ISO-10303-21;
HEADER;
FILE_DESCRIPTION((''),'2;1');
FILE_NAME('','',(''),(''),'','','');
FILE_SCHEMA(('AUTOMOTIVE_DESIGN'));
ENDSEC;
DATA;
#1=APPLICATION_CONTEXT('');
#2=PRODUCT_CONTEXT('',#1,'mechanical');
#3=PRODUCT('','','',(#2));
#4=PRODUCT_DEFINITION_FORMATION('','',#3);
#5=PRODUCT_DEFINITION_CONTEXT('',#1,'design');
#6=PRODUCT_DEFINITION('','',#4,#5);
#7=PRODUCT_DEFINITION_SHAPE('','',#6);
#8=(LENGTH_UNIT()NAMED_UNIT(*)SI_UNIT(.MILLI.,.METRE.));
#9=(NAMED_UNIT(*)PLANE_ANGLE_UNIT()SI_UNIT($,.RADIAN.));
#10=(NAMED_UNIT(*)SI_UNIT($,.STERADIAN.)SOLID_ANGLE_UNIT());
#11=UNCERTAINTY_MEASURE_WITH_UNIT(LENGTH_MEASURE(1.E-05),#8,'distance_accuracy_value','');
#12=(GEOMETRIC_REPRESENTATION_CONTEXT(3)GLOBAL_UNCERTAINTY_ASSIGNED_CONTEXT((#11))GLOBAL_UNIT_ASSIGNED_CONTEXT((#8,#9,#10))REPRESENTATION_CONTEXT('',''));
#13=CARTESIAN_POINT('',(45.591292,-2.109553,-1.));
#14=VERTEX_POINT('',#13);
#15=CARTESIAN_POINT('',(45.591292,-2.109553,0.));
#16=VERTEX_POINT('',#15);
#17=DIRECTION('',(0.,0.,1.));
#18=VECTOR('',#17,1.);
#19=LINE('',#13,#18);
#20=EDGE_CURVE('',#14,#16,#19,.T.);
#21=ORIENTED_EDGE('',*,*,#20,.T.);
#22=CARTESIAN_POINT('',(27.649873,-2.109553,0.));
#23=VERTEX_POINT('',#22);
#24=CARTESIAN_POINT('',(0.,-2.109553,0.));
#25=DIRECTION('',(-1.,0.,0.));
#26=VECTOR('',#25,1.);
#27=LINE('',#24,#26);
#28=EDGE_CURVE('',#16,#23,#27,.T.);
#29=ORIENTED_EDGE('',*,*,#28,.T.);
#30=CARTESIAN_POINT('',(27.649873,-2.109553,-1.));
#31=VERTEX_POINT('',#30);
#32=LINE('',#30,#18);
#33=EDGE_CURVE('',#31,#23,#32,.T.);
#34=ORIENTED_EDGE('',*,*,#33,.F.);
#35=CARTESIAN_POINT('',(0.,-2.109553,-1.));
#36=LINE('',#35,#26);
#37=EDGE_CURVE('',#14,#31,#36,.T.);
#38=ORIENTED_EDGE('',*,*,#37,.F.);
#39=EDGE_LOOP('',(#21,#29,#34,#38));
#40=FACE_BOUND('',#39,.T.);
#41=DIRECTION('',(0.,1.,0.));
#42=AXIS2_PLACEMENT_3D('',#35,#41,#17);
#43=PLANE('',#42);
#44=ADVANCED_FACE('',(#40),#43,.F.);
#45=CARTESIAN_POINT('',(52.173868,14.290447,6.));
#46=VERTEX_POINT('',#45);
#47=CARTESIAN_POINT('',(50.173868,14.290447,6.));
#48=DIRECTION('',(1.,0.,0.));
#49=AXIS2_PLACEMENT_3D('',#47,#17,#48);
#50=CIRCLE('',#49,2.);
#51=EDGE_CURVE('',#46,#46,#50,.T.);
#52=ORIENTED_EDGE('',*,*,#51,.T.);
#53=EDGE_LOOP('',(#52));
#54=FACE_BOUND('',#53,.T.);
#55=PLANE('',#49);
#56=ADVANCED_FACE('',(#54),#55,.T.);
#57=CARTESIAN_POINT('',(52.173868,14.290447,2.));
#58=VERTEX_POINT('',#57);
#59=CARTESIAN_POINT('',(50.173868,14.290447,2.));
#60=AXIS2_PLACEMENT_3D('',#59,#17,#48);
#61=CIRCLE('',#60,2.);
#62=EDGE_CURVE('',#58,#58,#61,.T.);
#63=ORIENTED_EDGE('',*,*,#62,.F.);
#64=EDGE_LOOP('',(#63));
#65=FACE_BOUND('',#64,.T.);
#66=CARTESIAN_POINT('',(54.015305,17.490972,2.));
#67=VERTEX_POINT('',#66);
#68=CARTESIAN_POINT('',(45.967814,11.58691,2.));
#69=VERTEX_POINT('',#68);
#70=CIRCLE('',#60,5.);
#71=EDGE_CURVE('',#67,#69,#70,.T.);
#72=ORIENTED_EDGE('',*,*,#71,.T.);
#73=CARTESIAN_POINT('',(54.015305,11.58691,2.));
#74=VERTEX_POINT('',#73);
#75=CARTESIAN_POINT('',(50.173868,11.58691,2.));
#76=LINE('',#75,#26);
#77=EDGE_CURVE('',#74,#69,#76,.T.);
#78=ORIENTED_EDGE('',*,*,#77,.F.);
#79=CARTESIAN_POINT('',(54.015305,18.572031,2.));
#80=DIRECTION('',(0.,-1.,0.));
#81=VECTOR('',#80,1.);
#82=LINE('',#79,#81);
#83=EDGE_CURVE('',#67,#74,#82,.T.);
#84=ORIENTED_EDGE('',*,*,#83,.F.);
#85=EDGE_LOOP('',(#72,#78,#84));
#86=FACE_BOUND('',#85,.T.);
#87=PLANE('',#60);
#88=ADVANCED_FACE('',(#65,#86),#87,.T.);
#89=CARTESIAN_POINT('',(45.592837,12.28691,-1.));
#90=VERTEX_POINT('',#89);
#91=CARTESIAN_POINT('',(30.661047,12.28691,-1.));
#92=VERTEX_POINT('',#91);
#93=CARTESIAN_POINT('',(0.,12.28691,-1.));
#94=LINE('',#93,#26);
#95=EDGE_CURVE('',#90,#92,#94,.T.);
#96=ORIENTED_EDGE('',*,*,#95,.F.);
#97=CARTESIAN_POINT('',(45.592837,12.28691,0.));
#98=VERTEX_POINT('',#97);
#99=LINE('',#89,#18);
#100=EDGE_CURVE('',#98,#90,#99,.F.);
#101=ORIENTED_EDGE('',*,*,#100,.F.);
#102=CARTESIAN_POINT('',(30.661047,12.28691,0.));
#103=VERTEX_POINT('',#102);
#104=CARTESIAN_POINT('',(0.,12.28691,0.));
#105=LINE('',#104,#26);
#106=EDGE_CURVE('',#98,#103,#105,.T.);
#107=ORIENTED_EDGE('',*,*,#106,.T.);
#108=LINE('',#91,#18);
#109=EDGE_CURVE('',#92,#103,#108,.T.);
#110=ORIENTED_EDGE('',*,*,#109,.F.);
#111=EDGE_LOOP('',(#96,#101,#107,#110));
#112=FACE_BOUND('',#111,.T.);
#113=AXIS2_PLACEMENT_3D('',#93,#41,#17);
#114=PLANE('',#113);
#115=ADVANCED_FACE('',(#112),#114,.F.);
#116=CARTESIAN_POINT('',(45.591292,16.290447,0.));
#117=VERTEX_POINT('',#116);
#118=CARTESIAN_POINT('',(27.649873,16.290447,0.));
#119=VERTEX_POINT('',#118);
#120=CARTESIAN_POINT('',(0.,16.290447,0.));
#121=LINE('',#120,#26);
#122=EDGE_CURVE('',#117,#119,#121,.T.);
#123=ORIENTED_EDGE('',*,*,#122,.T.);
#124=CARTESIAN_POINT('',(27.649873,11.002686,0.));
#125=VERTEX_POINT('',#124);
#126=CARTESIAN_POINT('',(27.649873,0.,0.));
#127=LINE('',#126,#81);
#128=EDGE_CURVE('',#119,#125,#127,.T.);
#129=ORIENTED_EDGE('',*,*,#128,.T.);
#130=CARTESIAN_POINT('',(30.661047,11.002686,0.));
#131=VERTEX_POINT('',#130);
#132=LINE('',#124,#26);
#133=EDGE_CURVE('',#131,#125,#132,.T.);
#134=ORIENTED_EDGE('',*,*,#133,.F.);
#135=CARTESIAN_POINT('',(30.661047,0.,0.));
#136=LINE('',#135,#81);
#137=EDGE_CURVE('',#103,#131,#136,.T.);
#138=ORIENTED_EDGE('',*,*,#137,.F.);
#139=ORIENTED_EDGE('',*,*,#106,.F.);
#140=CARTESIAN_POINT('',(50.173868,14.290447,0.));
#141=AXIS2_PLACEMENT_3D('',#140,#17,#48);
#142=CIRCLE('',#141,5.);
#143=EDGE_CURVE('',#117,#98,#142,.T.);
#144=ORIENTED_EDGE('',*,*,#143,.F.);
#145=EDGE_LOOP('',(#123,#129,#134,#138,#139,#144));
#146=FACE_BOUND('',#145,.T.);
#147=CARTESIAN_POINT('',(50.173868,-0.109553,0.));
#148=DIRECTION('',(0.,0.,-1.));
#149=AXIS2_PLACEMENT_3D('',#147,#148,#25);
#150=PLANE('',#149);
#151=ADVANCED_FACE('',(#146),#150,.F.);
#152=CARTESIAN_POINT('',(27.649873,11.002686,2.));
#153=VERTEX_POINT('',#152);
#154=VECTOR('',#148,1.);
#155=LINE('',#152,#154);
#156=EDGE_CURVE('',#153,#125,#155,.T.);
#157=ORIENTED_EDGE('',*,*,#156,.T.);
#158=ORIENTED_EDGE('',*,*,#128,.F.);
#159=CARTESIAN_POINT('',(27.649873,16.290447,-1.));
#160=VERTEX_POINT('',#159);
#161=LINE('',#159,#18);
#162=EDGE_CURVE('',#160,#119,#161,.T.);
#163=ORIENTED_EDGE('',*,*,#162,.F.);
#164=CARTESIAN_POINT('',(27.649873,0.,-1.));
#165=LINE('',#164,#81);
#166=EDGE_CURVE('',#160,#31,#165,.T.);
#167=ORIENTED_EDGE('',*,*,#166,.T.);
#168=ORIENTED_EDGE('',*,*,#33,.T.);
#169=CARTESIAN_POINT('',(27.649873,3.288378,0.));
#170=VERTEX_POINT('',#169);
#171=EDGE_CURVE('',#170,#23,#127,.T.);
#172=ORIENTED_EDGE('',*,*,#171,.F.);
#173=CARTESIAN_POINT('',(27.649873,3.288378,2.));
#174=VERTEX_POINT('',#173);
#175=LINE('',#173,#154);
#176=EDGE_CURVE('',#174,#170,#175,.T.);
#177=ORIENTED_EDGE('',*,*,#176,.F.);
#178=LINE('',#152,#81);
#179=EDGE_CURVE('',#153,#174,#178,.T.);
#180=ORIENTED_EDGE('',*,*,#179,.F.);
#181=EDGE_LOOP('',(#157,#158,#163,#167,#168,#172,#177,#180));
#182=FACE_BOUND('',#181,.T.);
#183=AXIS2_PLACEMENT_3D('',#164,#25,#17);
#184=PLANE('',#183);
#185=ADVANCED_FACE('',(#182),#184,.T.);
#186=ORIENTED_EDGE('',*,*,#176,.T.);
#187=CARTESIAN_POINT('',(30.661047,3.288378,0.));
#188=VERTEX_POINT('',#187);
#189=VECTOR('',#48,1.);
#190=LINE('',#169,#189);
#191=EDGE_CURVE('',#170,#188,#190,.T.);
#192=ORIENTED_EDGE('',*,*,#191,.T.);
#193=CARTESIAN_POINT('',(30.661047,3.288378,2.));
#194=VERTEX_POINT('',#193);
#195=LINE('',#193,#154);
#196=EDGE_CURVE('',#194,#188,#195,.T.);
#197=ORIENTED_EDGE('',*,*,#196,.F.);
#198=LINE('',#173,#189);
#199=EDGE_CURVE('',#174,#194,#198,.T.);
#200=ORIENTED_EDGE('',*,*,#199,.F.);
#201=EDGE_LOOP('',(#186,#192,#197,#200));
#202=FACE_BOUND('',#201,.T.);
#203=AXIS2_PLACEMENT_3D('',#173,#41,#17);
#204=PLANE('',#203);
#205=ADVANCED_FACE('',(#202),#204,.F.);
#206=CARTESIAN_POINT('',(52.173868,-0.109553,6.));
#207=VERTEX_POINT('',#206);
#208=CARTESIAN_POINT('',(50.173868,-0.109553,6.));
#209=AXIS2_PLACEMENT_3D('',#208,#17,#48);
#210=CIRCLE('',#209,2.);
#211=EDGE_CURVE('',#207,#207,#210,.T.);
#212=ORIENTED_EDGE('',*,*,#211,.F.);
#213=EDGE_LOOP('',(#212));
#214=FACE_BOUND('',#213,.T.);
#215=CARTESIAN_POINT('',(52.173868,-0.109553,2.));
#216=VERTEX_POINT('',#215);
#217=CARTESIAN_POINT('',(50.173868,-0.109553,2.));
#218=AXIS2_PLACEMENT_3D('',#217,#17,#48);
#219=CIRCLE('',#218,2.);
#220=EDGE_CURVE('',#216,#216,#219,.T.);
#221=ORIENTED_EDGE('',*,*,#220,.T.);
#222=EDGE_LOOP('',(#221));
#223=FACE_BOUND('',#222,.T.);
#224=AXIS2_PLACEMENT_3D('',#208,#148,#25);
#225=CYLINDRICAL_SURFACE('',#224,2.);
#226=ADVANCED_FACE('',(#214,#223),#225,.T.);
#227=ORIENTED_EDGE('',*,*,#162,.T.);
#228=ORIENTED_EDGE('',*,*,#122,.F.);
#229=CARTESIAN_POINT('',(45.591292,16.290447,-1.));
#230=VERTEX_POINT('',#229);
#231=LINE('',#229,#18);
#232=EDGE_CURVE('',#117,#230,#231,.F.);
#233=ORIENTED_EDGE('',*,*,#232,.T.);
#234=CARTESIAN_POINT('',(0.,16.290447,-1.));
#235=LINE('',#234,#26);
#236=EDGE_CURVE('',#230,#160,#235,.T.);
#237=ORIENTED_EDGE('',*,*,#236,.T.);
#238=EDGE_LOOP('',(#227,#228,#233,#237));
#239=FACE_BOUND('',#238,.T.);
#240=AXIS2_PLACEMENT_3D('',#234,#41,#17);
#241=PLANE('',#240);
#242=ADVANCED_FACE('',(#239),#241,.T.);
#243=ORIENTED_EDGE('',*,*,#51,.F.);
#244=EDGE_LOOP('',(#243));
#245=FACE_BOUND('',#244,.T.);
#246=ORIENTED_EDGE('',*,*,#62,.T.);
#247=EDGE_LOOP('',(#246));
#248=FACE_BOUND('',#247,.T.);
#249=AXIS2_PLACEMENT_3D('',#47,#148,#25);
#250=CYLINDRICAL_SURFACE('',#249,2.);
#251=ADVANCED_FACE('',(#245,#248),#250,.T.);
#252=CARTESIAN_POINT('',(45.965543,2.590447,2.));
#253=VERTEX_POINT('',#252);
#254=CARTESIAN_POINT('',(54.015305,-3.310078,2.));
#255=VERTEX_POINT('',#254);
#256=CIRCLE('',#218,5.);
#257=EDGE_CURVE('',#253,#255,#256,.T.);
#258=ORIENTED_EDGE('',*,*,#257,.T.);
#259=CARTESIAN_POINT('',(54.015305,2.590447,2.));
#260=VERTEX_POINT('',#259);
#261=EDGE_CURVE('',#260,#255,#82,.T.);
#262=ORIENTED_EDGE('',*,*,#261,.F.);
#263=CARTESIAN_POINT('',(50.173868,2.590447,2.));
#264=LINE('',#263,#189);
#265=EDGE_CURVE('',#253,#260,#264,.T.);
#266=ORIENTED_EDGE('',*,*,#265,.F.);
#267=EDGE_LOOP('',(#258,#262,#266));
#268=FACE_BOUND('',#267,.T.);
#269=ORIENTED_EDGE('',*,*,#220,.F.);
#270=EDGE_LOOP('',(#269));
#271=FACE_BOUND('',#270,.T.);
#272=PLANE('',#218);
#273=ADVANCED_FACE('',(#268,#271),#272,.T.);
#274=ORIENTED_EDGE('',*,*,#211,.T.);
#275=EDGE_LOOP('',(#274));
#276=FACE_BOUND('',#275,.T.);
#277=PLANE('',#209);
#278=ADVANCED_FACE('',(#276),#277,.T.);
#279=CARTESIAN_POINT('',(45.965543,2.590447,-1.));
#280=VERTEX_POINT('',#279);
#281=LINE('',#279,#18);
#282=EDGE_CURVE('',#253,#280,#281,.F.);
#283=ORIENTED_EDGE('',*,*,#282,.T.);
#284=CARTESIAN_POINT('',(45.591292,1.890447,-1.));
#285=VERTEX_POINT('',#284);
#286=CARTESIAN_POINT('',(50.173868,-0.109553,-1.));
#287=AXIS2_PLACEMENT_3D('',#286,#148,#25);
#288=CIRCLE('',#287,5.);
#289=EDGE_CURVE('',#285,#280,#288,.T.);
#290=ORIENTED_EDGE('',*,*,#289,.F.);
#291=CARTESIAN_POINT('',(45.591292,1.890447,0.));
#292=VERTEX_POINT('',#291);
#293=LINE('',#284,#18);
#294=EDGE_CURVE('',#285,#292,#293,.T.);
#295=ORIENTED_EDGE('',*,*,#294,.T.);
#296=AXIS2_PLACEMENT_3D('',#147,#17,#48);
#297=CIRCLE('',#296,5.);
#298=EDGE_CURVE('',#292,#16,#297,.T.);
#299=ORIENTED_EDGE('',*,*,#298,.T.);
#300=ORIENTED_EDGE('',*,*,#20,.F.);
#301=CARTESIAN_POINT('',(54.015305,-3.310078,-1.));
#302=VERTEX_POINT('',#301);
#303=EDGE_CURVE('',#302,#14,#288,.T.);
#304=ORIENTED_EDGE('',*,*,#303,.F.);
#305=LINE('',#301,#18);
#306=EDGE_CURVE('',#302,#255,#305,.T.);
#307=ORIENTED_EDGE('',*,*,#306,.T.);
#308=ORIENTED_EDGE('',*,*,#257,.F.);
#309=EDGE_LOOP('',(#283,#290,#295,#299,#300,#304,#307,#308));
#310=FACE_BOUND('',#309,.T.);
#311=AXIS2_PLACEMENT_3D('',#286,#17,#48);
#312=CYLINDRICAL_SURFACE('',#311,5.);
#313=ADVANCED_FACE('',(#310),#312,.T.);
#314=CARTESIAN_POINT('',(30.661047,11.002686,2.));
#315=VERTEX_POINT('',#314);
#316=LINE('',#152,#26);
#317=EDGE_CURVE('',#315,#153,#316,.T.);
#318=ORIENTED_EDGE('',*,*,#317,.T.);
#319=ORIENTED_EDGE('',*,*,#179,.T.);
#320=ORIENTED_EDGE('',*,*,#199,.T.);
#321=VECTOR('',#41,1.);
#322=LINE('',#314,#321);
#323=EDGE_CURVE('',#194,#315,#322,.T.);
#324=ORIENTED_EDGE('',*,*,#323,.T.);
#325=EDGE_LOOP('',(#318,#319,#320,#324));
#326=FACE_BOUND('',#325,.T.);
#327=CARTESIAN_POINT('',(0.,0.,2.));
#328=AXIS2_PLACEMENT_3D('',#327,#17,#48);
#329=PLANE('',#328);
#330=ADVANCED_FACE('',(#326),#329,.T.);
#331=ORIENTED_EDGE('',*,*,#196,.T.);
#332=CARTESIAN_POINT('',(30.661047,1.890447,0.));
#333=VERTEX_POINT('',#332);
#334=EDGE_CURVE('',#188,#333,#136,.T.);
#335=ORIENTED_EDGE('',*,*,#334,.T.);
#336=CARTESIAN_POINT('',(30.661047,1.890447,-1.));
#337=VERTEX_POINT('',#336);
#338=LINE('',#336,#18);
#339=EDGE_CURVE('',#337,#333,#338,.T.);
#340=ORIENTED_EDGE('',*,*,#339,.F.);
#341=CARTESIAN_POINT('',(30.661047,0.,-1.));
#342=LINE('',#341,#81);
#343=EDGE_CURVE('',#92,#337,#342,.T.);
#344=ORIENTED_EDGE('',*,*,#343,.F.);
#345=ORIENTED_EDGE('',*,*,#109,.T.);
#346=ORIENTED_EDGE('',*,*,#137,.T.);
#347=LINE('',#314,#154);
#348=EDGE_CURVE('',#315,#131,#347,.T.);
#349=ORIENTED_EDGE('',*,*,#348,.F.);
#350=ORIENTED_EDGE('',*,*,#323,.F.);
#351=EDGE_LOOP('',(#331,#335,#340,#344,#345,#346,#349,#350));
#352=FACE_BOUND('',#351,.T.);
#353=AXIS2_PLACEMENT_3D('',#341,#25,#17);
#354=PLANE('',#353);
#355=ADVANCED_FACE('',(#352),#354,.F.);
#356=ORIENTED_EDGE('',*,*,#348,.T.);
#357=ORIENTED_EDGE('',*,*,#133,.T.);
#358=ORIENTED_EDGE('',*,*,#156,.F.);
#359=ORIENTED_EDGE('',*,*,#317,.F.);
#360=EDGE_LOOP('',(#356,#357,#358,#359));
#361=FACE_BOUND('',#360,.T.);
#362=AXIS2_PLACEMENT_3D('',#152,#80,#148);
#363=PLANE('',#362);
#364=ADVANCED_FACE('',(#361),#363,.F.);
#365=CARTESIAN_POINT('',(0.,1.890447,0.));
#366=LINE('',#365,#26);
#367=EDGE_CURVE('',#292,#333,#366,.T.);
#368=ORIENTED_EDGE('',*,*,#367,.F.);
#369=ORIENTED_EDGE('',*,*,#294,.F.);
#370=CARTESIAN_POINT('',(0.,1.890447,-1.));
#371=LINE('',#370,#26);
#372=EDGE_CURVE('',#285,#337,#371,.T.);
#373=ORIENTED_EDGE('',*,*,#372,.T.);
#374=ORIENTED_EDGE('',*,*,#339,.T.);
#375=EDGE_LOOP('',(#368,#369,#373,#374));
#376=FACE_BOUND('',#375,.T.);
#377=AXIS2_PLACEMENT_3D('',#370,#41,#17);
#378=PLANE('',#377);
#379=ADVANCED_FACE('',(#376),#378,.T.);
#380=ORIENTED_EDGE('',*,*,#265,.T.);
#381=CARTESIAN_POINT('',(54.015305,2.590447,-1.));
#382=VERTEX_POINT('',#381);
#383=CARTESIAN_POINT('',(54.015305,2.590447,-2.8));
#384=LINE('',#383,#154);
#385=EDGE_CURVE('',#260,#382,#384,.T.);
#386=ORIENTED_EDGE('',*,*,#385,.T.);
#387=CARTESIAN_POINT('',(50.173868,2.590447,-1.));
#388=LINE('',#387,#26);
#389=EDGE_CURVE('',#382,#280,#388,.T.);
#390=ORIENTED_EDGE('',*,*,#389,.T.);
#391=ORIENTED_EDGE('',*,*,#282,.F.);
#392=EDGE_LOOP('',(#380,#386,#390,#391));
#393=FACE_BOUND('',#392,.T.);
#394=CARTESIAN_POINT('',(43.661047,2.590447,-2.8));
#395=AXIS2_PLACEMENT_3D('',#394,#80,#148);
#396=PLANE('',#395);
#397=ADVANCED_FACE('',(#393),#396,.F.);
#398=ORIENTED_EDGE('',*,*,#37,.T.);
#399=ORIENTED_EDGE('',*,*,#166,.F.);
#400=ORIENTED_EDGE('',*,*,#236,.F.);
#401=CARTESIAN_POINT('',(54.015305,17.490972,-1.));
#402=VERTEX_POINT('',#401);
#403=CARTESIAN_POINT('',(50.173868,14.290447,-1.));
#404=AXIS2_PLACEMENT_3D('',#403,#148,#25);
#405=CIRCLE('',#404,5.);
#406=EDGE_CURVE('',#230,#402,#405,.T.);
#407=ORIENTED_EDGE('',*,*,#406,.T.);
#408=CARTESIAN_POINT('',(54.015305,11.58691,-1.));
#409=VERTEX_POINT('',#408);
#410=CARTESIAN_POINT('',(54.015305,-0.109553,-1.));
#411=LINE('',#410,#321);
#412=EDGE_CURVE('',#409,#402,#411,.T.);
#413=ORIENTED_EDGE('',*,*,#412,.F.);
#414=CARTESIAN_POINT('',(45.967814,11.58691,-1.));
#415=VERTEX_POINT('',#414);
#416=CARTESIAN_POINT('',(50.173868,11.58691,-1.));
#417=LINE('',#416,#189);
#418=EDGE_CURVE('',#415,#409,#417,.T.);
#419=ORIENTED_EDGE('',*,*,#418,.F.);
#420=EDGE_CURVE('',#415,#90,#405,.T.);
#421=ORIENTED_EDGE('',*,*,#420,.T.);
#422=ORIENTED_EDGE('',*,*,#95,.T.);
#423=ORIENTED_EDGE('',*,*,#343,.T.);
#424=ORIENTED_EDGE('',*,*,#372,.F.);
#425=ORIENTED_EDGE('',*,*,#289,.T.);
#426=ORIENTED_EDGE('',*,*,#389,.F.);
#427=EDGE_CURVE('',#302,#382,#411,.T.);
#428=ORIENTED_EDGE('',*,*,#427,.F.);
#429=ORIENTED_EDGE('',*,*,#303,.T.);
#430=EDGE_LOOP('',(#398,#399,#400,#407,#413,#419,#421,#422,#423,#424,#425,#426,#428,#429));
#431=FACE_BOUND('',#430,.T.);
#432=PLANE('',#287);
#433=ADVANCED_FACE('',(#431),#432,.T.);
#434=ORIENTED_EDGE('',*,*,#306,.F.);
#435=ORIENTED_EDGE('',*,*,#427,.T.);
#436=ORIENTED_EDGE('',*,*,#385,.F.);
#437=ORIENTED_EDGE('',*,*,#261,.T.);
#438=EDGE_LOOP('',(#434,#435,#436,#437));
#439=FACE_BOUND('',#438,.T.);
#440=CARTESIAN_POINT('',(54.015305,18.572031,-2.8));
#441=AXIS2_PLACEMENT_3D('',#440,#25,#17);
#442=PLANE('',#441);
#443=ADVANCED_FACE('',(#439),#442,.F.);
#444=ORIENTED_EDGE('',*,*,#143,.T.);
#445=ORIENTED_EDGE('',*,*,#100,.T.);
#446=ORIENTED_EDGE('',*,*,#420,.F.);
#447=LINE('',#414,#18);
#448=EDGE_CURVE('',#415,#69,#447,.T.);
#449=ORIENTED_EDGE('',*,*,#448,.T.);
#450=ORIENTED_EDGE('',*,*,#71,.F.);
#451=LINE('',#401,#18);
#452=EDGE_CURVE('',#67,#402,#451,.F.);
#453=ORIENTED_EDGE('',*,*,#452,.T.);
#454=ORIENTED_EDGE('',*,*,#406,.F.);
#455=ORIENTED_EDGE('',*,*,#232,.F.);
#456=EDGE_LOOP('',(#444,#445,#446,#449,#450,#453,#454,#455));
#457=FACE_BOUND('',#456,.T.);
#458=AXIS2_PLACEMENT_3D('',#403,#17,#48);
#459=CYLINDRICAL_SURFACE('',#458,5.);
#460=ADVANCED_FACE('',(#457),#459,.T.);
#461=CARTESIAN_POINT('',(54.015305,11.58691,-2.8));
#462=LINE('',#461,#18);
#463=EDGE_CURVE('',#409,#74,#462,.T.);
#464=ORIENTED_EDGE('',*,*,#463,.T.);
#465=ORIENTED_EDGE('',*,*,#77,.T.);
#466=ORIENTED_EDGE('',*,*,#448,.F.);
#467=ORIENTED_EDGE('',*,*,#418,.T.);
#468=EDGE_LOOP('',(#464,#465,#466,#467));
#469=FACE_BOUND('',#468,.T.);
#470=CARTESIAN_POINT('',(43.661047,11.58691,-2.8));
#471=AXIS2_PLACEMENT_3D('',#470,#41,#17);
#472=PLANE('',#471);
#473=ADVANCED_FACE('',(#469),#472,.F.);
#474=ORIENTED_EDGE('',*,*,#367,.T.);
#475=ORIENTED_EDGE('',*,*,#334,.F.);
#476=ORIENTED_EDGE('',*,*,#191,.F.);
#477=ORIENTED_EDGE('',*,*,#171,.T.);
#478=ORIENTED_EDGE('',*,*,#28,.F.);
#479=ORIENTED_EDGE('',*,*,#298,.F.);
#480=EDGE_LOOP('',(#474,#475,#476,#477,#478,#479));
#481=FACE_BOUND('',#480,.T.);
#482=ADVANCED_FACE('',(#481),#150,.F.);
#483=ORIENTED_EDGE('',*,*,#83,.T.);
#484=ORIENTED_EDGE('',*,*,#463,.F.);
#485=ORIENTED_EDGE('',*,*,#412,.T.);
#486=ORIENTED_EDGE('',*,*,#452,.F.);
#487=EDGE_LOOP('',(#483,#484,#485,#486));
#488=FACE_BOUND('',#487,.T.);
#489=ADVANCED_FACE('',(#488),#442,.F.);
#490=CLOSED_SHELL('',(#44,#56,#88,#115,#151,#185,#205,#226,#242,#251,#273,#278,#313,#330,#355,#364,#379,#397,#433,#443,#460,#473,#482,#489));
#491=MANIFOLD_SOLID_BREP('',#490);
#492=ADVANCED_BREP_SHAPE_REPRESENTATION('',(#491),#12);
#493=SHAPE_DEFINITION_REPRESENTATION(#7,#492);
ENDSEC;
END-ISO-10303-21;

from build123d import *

# Parameters (mm, degrees)
SKIZZE2_R                         = 2
AUFSATZ_LINEAR_AUSTRAGEN1_DEPTH   = 6
AUFSATZ_LINEAR_AUSTRAGEN1_2_DEPTH = 6
SKIZZE3_W                         = 22.523994606
SKIZZE3_H                         = 4.003536954
SKIZZE3_W_2                       = 3.011174253
SKIZZE3_H_2                       = 10.396463046
AUFSATZ_LINEAR_AUSTRAGEN2_DEPTH   = 1
SKIZZE4_R                         = 5
AUFSATZ_LINEAR_AUSTRAGEN3_DEPTH   = 1
AUFSATZ_LINEAR_START              = 2
SKIZZE5_R                         = 5
AUFSATZ_LINEAR_AUSTRAGEN4_DEPTH   = 2
SKIZZE6_W                         = 13
SKIZZE6_H                         = 8.996463046
SCHNITT_LINEAR_AUSTRAGEN1_DEPTH   = 4.8
SKIZZE7_W                         = 2.020513934
SKIZZE7_H                         = 22.861740996
SCHNITT_LINEAR_AUSTRAGEN2_DEPTH   = 4.8
SKIZZE8_W                         = 3.011174253
SKIZZE8_H                         = 7.714308529
AUFSATZ_LINEAR_AUSTRAGEN5_DEPTH   = 2


with BuildPart() as part:
    # Skizze2 → Aufsatz-Linear austragen1 (new body)
    with BuildSketch(Plane.XY):
        with Locations((50.173867598, 14.290447118)):
            Circle(SKIZZE2_R)
    extrude(amount=AUFSATZ_LINEAR_AUSTRAGEN1_DEPTH)

    # Skizze3 → Aufsatz-Linear austragen2 (add)
    with BuildSketch(Plane(origin=(0, 0, 0), x_dir=(-1, 0, 0), z_dir=(0, 0, -1))):
        with Locations((-38.911870295, 14.288678641)):
            Rectangle(SKIZZE3_W, SKIZZE3_H)
        with Locations((-29.155460119, 7.088678641)):
            Rectangle(SKIZZE3_W_2, SKIZZE3_H_2)
        with BuildLine():
            Line((-30.661047245, 1.890447118), (-50.173867598, 1.890447118))
            ThreePointArc((-50.173867598, 1.890447118), (-48.759654035, 1.30466068), (-48.173867598, -0.109552882))
            ThreePointArc((-48.173867598, -0.109552882), (-48.759654035, -1.523766445), (-50.173867598, -2.109552882))
            Line((-50.173867598, -2.109552882), (-27.649872992, -2.109552882))
            Line((-27.649872992, -2.109552882), (-27.649872992, 1.890447118))
            Line((-27.649872992, 1.890447118), (-30.661047245, 1.890447118))
        make_face()
    extrude(amount=AUFSATZ_LINEAR_AUSTRAGEN2_DEPTH)



with BuildPart() as body_2:
    # Skizze2 → Aufsatz-Linear austragen1 2 (new body)
    with BuildSketch(Plane.XY):
        with Locations((50.173867598, -0.109552882)):
            Circle(SKIZZE2_R)
    extrude(amount=AUFSATZ_LINEAR_AUSTRAGEN1_2_DEPTH)


with BuildPart() as part_1:
    add(part.part)

    add(body_2.part)  # Aufsatz-Linear austragen3 merges body 2
    # Skizze4 → Aufsatz-Linear austragen3 (add)
    with BuildSketch(Plane(origin=(0, 0, 0), x_dir=(-1, 0, 0), z_dir=(0, 0, -1))):
        with Locations((-50.173867598, -0.109552882)):
            Circle(SKIZZE4_R)
        with Locations((-50.173867598, 14.290447118)):
            Circle(SKIZZE4_R)
    extrude(amount=AUFSATZ_LINEAR_AUSTRAGEN3_DEPTH)

    # Skizze5 → Aufsatz-Linear austragen4 (add)
    with BuildSketch(Plane.XY.offset(AUFSATZ_LINEAR_START)):
        with Locations((50.173867598, 14.290447118)):
            Circle(SKIZZE5_R)
        with Locations((50.173867598, -0.109552882)):
            Circle(SKIZZE5_R)
    extrude(amount=-AUFSATZ_LINEAR_AUSTRAGEN4_DEPTH)

    # Skizze6 → Schnitt-Linear austragen1 (cut)
    with BuildSketch(Plane.XY.offset(2)):
        with Locations((50.161047245, 7.088678641)):
            Rectangle(SKIZZE6_W, SKIZZE6_H)
    extrude(amount=-SCHNITT_LINEAR_AUSTRAGEN1_DEPTH, mode=Mode.SUBTRACT)

    # Skizze7 → Schnitt-Linear austragen2 (cut)
    with BuildSketch(Plane.XY.offset(2)):
        with Locations((55.025561854, 7.141160287)):
            Rectangle(SKIZZE7_W, SKIZZE7_H)
    extrude(amount=-SCHNITT_LINEAR_AUSTRAGEN2_DEPTH, mode=Mode.SUBTRACT)

    # Skizze8 → Aufsatz-Linear austragen5 (add)
    with BuildSketch(Plane.XY):
        with Locations((29.155460119, 7.145531888)):
            Rectangle(SKIZZE8_W, SKIZZE8_H)
    extrude(amount=AUFSATZ_LINEAR_AUSTRAGEN5_DEPTH)


solid = part_1.part
